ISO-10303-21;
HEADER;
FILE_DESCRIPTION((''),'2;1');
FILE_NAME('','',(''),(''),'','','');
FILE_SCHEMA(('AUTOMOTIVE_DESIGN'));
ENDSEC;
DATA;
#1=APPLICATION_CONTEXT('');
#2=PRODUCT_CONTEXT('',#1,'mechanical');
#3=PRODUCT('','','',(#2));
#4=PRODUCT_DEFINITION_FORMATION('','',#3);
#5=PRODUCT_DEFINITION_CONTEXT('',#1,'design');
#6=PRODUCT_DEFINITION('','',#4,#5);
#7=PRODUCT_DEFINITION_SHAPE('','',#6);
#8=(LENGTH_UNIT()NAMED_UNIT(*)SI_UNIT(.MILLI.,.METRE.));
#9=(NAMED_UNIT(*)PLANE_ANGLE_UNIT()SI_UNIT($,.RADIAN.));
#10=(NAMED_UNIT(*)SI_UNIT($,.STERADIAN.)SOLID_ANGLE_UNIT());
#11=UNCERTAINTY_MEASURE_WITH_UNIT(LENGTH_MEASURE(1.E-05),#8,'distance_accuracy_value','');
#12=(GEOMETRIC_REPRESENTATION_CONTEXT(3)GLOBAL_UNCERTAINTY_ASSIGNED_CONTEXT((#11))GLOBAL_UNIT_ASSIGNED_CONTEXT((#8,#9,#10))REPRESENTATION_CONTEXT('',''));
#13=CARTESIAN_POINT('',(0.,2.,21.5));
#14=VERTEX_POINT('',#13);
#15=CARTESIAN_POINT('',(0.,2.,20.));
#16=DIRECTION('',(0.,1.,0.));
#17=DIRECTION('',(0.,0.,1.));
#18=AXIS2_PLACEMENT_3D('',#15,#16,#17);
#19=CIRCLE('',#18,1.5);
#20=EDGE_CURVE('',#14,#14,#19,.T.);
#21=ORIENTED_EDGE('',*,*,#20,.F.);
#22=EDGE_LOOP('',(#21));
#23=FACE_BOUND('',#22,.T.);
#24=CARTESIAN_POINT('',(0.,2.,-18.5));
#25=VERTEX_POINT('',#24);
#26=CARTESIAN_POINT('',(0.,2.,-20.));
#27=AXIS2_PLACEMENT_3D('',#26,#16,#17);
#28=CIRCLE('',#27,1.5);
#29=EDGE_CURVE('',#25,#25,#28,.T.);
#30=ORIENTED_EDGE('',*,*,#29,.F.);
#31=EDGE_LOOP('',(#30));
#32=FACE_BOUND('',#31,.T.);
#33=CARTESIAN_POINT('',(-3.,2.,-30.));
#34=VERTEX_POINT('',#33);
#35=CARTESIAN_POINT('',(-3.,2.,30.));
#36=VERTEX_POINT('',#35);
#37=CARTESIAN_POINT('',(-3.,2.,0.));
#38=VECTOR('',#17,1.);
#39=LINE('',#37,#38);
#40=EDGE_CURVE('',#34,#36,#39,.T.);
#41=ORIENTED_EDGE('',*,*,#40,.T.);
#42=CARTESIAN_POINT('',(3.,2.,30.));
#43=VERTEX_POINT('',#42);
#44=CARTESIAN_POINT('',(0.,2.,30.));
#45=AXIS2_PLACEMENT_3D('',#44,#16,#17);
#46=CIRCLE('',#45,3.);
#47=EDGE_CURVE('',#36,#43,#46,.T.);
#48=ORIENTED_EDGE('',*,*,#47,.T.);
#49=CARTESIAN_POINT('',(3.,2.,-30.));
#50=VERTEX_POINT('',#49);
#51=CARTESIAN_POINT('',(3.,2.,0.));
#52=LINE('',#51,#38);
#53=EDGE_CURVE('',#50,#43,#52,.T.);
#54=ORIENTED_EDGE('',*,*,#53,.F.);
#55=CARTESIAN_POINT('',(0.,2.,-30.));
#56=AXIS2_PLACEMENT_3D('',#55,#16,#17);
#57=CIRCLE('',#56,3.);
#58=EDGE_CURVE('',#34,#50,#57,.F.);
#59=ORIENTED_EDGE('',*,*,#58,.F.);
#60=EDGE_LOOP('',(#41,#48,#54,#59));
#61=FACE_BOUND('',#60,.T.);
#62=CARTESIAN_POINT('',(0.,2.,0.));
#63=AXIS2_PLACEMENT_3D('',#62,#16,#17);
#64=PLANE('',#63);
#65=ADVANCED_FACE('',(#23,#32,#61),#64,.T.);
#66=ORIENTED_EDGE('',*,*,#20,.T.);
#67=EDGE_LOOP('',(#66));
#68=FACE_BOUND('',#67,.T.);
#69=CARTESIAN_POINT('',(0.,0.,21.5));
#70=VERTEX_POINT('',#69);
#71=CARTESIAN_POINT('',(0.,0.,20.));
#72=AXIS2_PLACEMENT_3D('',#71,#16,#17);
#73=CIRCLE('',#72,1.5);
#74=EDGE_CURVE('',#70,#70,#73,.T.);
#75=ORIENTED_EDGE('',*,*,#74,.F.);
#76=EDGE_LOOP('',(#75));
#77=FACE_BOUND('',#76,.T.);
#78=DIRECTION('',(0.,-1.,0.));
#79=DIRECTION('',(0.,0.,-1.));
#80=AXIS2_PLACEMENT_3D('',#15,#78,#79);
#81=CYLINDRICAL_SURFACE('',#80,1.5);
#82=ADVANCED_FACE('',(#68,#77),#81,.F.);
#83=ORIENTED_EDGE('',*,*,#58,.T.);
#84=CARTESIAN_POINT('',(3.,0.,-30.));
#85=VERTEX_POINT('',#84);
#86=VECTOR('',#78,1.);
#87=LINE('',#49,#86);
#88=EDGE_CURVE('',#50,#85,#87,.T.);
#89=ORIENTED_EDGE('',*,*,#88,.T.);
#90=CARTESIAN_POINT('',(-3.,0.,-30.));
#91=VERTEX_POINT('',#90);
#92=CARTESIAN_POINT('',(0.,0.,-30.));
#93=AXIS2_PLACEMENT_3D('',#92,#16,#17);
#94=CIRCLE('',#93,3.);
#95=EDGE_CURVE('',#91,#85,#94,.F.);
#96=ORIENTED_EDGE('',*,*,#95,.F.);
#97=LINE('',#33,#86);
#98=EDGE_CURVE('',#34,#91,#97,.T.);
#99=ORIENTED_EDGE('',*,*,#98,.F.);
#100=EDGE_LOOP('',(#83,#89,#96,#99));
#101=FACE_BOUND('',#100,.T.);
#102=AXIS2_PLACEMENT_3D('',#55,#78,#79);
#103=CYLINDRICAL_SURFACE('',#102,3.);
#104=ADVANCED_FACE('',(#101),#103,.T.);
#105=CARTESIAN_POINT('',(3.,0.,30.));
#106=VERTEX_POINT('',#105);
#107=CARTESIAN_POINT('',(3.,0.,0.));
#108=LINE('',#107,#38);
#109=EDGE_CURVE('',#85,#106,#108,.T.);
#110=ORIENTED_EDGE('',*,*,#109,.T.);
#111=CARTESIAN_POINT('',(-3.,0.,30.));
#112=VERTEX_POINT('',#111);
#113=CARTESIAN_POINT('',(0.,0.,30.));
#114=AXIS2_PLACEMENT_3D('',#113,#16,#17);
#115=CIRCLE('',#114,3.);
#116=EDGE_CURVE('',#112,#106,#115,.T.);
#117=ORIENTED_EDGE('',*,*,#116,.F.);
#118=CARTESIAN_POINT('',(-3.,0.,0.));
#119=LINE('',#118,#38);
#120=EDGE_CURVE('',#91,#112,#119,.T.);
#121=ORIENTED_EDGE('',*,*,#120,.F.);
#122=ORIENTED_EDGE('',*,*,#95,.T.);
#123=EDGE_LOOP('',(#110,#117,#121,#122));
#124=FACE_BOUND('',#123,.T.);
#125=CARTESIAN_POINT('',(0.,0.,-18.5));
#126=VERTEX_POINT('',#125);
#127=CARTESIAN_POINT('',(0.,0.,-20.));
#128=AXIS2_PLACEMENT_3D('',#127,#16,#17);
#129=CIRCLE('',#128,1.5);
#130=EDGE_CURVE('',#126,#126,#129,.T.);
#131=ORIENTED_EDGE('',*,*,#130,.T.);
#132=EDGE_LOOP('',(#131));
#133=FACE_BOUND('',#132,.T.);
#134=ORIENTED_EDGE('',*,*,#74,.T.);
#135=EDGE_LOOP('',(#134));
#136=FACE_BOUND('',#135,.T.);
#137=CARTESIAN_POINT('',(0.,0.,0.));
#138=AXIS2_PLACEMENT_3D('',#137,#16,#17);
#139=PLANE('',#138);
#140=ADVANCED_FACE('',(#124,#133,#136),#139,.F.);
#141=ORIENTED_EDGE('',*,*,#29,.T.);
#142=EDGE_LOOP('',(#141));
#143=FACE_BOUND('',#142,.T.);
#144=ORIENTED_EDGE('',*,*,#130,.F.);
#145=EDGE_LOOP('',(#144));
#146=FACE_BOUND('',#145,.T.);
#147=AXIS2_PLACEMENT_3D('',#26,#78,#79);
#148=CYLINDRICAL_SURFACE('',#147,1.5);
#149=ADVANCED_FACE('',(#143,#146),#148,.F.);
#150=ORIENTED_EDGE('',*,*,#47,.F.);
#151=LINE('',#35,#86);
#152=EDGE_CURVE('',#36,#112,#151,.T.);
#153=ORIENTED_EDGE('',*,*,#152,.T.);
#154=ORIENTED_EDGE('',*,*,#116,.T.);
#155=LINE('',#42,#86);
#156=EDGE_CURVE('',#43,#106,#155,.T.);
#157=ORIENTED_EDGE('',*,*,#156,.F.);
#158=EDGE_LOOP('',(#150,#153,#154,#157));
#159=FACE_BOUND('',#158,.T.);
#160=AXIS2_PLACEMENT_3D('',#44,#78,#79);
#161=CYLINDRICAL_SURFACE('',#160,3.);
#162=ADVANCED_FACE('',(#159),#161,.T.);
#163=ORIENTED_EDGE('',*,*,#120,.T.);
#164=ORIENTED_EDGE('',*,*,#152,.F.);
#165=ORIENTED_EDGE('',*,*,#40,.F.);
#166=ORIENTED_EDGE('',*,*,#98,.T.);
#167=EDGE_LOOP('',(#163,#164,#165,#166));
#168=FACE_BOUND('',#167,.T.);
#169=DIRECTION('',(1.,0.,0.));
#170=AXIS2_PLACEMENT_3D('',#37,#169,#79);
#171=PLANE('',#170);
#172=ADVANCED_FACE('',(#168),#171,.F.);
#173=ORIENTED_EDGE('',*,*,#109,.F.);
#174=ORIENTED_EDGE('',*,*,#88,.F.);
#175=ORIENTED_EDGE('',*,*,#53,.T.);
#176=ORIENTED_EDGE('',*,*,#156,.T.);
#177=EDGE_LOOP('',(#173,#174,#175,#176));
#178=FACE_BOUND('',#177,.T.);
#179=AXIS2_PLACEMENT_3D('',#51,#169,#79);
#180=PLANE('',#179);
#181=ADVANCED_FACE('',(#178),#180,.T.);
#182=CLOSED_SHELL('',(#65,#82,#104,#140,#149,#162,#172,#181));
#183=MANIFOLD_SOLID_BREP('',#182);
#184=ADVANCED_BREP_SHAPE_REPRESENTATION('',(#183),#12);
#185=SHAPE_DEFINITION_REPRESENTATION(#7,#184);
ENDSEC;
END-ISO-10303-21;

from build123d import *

# Parameters (mm, degrees)
SKETCH1_W           = 6
SKETCH1_H           = 60
SKETCH1_R           = 1.5
BOSS_EXTRUDE1_DEPTH = 2


with BuildPart() as part:
    # Sketch1 → Boss-Extrude1 (new body)
    with BuildSketch(Plane(origin=(0, 0, 0), x_dir=(1, 0, 0), z_dir=(0, 1, 0))):
        Rectangle(SKETCH1_W, SKETCH1_H)
        with Locations((0, -20)):
            Circle(SKETCH1_R, mode=Mode.SUBTRACT)
        with Locations((0, 20)):
            Circle(SKETCH1_R, mode=Mode.SUBTRACT)
        with BuildLine():
            Line((-3, -30), (3, -30))
            ThreePointArc((3, -30), (0, -33), (-3, -30))
        make_face()
        with BuildLine():
            ThreePointArc((-3, 30), (0, 33), (3, 30))
            Line((3, 30), (-3, 30))
        make_face()
    extrude(amount=BOSS_EXTRUDE1_DEPTH)


solid = part.part
